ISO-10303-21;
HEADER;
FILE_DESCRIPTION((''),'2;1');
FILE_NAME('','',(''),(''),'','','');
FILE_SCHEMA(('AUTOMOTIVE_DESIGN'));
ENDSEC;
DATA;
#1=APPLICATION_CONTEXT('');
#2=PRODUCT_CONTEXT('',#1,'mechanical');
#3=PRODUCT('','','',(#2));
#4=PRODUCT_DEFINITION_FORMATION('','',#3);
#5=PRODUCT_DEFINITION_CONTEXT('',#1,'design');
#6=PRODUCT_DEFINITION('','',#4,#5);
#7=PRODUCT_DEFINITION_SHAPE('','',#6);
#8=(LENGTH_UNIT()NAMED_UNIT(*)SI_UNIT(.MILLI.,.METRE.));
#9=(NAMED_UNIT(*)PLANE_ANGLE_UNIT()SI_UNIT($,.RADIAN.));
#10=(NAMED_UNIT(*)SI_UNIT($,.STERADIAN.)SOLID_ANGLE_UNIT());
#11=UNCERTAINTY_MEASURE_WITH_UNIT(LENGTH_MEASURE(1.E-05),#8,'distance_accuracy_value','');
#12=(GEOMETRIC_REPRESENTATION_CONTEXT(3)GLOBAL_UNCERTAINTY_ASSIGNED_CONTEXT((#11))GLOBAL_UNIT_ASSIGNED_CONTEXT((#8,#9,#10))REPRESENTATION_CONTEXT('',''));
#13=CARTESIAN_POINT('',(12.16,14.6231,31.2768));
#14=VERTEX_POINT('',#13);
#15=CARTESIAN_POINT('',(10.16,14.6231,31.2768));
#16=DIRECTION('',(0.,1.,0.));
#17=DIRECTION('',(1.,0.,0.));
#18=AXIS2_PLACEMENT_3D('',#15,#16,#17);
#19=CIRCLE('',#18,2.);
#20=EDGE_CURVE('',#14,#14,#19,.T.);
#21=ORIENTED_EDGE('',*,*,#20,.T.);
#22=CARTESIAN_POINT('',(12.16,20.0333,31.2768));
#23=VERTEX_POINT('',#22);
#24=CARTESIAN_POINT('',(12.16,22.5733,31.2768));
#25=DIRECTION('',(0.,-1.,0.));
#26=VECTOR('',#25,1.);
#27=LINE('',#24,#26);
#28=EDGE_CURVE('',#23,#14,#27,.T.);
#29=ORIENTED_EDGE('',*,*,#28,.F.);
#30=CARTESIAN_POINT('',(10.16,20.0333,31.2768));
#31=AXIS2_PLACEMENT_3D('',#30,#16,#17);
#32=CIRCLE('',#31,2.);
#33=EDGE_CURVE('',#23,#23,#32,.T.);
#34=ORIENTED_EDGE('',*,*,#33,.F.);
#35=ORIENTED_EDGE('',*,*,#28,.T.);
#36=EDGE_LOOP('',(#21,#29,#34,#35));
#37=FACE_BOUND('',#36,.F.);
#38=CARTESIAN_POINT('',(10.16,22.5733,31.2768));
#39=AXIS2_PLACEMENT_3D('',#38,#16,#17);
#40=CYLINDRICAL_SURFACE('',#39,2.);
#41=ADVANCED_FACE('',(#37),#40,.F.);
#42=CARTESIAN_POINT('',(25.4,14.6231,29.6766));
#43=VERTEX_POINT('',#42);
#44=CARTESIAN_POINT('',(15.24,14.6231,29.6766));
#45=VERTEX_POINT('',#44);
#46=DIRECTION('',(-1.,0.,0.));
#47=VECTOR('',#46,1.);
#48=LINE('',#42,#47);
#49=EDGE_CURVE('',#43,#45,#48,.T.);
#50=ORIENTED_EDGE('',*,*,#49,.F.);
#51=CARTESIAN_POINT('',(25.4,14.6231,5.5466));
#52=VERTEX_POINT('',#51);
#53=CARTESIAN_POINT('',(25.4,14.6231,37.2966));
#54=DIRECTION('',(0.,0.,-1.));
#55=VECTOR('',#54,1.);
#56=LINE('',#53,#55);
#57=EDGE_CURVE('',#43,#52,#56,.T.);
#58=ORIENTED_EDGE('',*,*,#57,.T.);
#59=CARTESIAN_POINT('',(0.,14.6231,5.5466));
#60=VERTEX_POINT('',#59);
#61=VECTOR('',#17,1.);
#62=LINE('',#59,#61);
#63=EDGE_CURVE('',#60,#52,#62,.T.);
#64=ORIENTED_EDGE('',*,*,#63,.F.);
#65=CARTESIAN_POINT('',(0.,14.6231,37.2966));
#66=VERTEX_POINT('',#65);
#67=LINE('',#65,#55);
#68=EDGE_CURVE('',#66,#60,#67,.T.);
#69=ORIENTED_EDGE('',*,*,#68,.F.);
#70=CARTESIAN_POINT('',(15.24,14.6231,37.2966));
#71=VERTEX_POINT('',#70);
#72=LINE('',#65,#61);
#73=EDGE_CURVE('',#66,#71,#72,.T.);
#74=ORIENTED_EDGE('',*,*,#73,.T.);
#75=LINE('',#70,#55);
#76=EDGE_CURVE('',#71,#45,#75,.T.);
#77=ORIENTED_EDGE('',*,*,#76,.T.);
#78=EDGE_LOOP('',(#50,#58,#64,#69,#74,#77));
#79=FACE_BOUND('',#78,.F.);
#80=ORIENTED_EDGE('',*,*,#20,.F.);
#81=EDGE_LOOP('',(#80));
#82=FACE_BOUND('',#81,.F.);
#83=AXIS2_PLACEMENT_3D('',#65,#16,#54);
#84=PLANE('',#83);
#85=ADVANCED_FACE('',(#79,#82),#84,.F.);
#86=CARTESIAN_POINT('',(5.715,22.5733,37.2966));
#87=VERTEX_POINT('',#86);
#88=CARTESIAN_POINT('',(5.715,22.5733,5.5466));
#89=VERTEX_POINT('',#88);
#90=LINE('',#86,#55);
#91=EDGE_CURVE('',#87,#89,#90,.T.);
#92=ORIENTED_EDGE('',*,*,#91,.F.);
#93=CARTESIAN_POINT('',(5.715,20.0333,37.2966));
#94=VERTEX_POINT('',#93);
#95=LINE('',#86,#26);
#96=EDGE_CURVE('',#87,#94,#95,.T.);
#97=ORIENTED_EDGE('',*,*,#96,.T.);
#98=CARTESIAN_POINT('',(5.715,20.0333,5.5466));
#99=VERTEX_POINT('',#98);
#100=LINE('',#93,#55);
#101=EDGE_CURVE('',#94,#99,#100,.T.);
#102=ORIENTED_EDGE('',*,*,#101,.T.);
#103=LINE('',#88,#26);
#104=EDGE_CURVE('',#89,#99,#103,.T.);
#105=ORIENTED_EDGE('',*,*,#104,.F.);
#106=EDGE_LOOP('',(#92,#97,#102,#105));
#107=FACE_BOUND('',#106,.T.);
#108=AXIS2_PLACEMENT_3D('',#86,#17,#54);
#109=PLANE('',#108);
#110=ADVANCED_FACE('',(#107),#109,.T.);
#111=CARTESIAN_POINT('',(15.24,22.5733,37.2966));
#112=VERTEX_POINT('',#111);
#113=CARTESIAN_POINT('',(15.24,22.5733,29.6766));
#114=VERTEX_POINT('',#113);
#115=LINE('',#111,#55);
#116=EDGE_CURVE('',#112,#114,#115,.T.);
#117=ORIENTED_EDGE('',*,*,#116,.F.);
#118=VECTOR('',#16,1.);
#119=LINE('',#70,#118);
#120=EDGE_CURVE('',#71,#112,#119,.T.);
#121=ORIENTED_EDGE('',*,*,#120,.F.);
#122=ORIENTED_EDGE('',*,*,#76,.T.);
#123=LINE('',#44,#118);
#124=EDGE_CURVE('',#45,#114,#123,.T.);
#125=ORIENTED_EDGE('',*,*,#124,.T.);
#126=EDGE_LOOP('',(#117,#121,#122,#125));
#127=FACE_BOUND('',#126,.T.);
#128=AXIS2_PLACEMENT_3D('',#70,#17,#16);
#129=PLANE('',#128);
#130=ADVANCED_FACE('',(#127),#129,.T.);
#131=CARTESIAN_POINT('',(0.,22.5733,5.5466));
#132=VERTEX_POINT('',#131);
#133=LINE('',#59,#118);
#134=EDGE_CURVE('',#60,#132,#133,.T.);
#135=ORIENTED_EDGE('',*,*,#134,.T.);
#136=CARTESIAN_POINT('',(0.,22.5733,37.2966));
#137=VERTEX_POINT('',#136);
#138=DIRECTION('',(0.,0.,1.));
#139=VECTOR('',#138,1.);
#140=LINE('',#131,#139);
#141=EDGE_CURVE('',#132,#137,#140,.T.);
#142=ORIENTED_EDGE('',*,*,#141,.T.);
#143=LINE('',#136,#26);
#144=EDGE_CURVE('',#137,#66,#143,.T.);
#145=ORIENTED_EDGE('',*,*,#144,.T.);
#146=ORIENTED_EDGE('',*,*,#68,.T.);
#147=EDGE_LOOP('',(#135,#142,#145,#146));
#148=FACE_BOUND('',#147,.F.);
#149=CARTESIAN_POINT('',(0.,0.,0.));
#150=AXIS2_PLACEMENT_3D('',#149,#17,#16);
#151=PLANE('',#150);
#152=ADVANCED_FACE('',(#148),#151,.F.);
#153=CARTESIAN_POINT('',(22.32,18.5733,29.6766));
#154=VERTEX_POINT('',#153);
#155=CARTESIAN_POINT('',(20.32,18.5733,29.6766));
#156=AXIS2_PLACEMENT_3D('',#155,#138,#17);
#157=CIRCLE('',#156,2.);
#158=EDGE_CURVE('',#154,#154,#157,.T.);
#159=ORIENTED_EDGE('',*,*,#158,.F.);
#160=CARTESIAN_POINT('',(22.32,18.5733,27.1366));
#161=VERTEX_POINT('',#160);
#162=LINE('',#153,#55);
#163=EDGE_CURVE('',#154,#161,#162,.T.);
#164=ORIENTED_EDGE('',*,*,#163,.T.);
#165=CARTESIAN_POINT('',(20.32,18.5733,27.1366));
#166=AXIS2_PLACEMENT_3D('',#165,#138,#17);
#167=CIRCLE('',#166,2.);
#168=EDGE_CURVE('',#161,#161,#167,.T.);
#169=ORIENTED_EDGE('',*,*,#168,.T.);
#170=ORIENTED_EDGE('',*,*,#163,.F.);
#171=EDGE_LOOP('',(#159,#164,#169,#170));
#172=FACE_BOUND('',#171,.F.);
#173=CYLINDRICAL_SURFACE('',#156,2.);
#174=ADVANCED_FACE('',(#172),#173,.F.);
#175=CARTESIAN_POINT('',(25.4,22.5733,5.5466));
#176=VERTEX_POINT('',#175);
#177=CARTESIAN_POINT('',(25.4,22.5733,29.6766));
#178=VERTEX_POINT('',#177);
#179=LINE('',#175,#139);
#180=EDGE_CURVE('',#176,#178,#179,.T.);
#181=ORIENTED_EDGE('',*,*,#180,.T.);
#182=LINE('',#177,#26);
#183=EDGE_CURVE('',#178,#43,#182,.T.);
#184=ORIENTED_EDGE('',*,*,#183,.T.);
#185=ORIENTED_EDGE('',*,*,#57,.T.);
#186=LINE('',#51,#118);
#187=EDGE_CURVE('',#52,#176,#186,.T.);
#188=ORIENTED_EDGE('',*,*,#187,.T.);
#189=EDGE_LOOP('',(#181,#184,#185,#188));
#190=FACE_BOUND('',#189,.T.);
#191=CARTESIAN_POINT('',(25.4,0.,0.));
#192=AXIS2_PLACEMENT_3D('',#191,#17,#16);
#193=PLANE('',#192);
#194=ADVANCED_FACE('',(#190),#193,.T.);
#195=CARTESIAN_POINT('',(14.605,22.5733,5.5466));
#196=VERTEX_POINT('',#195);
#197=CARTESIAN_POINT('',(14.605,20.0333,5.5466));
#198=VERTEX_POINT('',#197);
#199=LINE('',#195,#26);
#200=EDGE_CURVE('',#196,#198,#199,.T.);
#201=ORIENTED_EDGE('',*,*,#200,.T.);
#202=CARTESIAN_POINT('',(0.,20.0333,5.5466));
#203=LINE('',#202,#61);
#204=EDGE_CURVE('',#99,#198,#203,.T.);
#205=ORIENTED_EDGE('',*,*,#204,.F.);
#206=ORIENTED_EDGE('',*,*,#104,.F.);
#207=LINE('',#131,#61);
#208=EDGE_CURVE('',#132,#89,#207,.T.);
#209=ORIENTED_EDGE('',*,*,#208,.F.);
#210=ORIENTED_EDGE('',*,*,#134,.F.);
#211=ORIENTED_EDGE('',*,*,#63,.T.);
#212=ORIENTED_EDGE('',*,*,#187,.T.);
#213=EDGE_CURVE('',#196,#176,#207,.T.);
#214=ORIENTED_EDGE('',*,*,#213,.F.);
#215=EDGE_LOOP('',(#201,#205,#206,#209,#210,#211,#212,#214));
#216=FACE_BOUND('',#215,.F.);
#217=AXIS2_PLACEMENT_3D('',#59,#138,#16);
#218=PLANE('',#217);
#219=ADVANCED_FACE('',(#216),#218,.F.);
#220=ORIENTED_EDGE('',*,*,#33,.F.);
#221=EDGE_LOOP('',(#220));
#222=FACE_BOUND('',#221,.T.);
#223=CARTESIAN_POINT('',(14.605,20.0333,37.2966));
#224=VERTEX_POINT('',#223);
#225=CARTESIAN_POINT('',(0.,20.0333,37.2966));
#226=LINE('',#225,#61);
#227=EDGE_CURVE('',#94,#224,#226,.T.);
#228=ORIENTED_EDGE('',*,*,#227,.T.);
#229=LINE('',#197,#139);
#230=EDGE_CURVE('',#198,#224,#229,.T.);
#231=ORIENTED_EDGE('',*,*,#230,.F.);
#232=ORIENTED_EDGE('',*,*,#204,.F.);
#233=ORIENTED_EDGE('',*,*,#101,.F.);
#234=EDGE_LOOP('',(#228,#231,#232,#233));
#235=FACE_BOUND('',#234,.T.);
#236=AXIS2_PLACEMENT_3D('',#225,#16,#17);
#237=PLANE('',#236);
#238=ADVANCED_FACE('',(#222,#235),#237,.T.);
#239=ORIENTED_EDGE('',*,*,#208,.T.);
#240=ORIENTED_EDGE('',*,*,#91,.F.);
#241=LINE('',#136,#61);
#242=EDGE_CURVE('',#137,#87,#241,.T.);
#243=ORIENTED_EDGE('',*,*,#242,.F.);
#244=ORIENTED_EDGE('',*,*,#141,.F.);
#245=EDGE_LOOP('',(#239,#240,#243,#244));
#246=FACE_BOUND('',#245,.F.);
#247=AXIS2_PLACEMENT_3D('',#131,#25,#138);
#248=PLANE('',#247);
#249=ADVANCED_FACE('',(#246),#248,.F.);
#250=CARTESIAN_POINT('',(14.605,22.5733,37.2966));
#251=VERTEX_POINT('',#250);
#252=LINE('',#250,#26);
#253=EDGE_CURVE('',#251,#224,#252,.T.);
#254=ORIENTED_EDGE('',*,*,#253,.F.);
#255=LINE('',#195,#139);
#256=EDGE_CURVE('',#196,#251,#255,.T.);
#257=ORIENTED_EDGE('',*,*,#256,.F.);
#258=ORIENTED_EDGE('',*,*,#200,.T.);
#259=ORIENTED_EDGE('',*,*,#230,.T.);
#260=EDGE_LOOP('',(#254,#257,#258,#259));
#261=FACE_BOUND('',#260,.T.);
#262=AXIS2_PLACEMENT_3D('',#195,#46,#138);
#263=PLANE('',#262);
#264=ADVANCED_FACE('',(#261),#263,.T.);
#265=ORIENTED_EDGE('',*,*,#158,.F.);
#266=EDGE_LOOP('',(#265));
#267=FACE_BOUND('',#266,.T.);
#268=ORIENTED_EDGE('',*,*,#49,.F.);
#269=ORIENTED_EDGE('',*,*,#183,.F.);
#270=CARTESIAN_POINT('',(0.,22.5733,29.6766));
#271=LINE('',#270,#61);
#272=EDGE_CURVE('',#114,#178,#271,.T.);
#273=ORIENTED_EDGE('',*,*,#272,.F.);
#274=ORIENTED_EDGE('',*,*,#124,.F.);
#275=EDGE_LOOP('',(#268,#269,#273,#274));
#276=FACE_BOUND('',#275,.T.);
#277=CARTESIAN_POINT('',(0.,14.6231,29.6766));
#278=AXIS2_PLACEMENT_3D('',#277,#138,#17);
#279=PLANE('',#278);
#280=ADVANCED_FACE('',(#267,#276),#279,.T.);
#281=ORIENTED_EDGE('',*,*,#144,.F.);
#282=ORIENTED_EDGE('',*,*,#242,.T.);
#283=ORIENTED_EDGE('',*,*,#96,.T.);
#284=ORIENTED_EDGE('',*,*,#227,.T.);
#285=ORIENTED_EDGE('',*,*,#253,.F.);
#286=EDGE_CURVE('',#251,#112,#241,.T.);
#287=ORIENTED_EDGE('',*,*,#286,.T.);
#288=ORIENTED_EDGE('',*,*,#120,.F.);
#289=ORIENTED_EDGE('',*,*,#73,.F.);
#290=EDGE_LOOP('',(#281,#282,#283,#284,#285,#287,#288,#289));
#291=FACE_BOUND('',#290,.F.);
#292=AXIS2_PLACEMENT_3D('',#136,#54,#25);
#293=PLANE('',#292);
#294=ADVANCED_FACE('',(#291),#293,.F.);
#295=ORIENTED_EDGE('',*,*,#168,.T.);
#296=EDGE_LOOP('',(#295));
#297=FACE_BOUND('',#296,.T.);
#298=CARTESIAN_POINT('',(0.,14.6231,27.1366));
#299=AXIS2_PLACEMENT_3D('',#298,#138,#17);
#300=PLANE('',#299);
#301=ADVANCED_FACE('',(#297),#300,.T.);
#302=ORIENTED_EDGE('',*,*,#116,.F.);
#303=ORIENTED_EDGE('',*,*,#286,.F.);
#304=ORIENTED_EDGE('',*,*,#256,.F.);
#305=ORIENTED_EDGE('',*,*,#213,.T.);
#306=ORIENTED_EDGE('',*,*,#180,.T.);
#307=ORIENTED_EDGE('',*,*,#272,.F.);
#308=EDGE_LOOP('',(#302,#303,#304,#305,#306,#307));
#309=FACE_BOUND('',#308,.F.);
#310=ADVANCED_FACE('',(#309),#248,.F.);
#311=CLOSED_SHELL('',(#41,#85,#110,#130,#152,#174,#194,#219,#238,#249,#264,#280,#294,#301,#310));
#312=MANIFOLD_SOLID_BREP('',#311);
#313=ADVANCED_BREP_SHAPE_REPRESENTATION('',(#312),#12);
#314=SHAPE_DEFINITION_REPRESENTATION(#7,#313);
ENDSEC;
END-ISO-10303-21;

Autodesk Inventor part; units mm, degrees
ref_plane "YZ Plane" through (0, 0, 0) normal (1, 0, 0) x (0, 1, 0)
ref_plane "XZ Plane" through (0, 0, 0) normal (0, 1, 0) x (-1, 0, 0)
ref_plane "XY Plane" through (0, 0, 0) normal (0, 0, 1) x (1, 0, 0)
sketch "Sketch1" plane through (0, 0, 0) normal (1, 0, 0) x (0, 1, 0)
  line L0 (22.5733, 37.2966) -> (14.6231, 37.2966)
  line L1 (14.6231, 37.2966) -> (14.6231, 5.5466)
  line L2 (14.6231, 5.5466) -> (22.5733, 5.5466)
  line L3 (22.5733, 5.5466) -> (22.5733, 37.2966)
  point P0 (0, 0)
  dimension "d0" = 7.9502
  dimension "d1" = 31.75
extrude "Extrusion1" add sketch "Sketch1" along normal blind 25.4
sketch "Sketch2" plane through (0, 14.6231, 37.2966) normal (0, 0, 1) x (1, 0, 0)
  line L0 (0, 7.9502) -> (25.4, 7.9502) projected
  line L1 (25.4, 0) -> (15.24, 0)
  line L2 (15.24, 0) -> (15.24, 7.9502)
  line L3 (15.24, 7.9502) -> (25.4, 7.9502)
  line L4 (25.4, 7.9502) -> (25.4, 0)
  point P0 (0, -14.6231)
  dimension "d4" = 10.16
extrude "Extrusion2" cut sketch "Sketch2" against normal blind 7.62
sketch "Sketch3" plane through (0, 14.6231, 29.6766) normal (0, 0, 1) x (1, 0, 0)
  line L0 (25.4, 7.9502) -> (25.4, 0) projected
  line L1 (15.24, 7.9502) -> (25.4, 7.9502) projected
  line L2 (15.24, 0) -> (15.24, 7.9502) projected
  line L3 (25.4, 0) -> (15.24, 0) projected
  circle A0 centre (20.32, 3.9502) radius 2
  point P0 (0, -14.6231)
  dimension "d7" = 4
  dimension "d10" = 4
extrude "Extrusion3" cut sketch "Sketch3" against normal blind 2.54 contours A0
sketch "Sketch4" plane through (0, 22.5733, 37.2966) normal (0, 1, 0) x (1, 0, 0)
  circle A0 centre (10.16, 6.0198) radius 2
  line L0 (15.24, 0) -> (15.24, 7.62) projected
  line L1 (0, 0) -> (15.24, 0) projected
  point P0 (0, 37.2966)
  dimension "d11" = 4
  dimension "d12" = 5.08
  dimension "d15" = 6.0198
extrude "Extrusion4" cut sketch "Sketch4" against normal blind 25.4
sketch "Sketch5" plane through (0, 22.5733, 37.2966) normal (0, 1, 0) x (1, 0, 0)
  line L0 (0, 0) -> (15.24, 0) projected
  line L1 (0, 31.75) -> (25.4, 31.75) projected
  line L2 (14.605, 0) -> (5.715, 0)
  line L3 (5.715, 0) -> (5.715, 31.75)
  line L4 (5.715, 31.75) -> (14.605, 31.75)
  line L5 (14.605, 31.75) -> (14.605, 0)
  circle A0 centre (10.16, 6.0198) radius 2 projected
  point P0 (0, 37.2966)
  point P1 (5.715, 0)
  dimension "d16" = 8.89
  dimension "d17" = 4.445
extrude "Extrusion5" cut sketch "Sketch5" against normal blind 2.54
properties part number "Metal Inside"
